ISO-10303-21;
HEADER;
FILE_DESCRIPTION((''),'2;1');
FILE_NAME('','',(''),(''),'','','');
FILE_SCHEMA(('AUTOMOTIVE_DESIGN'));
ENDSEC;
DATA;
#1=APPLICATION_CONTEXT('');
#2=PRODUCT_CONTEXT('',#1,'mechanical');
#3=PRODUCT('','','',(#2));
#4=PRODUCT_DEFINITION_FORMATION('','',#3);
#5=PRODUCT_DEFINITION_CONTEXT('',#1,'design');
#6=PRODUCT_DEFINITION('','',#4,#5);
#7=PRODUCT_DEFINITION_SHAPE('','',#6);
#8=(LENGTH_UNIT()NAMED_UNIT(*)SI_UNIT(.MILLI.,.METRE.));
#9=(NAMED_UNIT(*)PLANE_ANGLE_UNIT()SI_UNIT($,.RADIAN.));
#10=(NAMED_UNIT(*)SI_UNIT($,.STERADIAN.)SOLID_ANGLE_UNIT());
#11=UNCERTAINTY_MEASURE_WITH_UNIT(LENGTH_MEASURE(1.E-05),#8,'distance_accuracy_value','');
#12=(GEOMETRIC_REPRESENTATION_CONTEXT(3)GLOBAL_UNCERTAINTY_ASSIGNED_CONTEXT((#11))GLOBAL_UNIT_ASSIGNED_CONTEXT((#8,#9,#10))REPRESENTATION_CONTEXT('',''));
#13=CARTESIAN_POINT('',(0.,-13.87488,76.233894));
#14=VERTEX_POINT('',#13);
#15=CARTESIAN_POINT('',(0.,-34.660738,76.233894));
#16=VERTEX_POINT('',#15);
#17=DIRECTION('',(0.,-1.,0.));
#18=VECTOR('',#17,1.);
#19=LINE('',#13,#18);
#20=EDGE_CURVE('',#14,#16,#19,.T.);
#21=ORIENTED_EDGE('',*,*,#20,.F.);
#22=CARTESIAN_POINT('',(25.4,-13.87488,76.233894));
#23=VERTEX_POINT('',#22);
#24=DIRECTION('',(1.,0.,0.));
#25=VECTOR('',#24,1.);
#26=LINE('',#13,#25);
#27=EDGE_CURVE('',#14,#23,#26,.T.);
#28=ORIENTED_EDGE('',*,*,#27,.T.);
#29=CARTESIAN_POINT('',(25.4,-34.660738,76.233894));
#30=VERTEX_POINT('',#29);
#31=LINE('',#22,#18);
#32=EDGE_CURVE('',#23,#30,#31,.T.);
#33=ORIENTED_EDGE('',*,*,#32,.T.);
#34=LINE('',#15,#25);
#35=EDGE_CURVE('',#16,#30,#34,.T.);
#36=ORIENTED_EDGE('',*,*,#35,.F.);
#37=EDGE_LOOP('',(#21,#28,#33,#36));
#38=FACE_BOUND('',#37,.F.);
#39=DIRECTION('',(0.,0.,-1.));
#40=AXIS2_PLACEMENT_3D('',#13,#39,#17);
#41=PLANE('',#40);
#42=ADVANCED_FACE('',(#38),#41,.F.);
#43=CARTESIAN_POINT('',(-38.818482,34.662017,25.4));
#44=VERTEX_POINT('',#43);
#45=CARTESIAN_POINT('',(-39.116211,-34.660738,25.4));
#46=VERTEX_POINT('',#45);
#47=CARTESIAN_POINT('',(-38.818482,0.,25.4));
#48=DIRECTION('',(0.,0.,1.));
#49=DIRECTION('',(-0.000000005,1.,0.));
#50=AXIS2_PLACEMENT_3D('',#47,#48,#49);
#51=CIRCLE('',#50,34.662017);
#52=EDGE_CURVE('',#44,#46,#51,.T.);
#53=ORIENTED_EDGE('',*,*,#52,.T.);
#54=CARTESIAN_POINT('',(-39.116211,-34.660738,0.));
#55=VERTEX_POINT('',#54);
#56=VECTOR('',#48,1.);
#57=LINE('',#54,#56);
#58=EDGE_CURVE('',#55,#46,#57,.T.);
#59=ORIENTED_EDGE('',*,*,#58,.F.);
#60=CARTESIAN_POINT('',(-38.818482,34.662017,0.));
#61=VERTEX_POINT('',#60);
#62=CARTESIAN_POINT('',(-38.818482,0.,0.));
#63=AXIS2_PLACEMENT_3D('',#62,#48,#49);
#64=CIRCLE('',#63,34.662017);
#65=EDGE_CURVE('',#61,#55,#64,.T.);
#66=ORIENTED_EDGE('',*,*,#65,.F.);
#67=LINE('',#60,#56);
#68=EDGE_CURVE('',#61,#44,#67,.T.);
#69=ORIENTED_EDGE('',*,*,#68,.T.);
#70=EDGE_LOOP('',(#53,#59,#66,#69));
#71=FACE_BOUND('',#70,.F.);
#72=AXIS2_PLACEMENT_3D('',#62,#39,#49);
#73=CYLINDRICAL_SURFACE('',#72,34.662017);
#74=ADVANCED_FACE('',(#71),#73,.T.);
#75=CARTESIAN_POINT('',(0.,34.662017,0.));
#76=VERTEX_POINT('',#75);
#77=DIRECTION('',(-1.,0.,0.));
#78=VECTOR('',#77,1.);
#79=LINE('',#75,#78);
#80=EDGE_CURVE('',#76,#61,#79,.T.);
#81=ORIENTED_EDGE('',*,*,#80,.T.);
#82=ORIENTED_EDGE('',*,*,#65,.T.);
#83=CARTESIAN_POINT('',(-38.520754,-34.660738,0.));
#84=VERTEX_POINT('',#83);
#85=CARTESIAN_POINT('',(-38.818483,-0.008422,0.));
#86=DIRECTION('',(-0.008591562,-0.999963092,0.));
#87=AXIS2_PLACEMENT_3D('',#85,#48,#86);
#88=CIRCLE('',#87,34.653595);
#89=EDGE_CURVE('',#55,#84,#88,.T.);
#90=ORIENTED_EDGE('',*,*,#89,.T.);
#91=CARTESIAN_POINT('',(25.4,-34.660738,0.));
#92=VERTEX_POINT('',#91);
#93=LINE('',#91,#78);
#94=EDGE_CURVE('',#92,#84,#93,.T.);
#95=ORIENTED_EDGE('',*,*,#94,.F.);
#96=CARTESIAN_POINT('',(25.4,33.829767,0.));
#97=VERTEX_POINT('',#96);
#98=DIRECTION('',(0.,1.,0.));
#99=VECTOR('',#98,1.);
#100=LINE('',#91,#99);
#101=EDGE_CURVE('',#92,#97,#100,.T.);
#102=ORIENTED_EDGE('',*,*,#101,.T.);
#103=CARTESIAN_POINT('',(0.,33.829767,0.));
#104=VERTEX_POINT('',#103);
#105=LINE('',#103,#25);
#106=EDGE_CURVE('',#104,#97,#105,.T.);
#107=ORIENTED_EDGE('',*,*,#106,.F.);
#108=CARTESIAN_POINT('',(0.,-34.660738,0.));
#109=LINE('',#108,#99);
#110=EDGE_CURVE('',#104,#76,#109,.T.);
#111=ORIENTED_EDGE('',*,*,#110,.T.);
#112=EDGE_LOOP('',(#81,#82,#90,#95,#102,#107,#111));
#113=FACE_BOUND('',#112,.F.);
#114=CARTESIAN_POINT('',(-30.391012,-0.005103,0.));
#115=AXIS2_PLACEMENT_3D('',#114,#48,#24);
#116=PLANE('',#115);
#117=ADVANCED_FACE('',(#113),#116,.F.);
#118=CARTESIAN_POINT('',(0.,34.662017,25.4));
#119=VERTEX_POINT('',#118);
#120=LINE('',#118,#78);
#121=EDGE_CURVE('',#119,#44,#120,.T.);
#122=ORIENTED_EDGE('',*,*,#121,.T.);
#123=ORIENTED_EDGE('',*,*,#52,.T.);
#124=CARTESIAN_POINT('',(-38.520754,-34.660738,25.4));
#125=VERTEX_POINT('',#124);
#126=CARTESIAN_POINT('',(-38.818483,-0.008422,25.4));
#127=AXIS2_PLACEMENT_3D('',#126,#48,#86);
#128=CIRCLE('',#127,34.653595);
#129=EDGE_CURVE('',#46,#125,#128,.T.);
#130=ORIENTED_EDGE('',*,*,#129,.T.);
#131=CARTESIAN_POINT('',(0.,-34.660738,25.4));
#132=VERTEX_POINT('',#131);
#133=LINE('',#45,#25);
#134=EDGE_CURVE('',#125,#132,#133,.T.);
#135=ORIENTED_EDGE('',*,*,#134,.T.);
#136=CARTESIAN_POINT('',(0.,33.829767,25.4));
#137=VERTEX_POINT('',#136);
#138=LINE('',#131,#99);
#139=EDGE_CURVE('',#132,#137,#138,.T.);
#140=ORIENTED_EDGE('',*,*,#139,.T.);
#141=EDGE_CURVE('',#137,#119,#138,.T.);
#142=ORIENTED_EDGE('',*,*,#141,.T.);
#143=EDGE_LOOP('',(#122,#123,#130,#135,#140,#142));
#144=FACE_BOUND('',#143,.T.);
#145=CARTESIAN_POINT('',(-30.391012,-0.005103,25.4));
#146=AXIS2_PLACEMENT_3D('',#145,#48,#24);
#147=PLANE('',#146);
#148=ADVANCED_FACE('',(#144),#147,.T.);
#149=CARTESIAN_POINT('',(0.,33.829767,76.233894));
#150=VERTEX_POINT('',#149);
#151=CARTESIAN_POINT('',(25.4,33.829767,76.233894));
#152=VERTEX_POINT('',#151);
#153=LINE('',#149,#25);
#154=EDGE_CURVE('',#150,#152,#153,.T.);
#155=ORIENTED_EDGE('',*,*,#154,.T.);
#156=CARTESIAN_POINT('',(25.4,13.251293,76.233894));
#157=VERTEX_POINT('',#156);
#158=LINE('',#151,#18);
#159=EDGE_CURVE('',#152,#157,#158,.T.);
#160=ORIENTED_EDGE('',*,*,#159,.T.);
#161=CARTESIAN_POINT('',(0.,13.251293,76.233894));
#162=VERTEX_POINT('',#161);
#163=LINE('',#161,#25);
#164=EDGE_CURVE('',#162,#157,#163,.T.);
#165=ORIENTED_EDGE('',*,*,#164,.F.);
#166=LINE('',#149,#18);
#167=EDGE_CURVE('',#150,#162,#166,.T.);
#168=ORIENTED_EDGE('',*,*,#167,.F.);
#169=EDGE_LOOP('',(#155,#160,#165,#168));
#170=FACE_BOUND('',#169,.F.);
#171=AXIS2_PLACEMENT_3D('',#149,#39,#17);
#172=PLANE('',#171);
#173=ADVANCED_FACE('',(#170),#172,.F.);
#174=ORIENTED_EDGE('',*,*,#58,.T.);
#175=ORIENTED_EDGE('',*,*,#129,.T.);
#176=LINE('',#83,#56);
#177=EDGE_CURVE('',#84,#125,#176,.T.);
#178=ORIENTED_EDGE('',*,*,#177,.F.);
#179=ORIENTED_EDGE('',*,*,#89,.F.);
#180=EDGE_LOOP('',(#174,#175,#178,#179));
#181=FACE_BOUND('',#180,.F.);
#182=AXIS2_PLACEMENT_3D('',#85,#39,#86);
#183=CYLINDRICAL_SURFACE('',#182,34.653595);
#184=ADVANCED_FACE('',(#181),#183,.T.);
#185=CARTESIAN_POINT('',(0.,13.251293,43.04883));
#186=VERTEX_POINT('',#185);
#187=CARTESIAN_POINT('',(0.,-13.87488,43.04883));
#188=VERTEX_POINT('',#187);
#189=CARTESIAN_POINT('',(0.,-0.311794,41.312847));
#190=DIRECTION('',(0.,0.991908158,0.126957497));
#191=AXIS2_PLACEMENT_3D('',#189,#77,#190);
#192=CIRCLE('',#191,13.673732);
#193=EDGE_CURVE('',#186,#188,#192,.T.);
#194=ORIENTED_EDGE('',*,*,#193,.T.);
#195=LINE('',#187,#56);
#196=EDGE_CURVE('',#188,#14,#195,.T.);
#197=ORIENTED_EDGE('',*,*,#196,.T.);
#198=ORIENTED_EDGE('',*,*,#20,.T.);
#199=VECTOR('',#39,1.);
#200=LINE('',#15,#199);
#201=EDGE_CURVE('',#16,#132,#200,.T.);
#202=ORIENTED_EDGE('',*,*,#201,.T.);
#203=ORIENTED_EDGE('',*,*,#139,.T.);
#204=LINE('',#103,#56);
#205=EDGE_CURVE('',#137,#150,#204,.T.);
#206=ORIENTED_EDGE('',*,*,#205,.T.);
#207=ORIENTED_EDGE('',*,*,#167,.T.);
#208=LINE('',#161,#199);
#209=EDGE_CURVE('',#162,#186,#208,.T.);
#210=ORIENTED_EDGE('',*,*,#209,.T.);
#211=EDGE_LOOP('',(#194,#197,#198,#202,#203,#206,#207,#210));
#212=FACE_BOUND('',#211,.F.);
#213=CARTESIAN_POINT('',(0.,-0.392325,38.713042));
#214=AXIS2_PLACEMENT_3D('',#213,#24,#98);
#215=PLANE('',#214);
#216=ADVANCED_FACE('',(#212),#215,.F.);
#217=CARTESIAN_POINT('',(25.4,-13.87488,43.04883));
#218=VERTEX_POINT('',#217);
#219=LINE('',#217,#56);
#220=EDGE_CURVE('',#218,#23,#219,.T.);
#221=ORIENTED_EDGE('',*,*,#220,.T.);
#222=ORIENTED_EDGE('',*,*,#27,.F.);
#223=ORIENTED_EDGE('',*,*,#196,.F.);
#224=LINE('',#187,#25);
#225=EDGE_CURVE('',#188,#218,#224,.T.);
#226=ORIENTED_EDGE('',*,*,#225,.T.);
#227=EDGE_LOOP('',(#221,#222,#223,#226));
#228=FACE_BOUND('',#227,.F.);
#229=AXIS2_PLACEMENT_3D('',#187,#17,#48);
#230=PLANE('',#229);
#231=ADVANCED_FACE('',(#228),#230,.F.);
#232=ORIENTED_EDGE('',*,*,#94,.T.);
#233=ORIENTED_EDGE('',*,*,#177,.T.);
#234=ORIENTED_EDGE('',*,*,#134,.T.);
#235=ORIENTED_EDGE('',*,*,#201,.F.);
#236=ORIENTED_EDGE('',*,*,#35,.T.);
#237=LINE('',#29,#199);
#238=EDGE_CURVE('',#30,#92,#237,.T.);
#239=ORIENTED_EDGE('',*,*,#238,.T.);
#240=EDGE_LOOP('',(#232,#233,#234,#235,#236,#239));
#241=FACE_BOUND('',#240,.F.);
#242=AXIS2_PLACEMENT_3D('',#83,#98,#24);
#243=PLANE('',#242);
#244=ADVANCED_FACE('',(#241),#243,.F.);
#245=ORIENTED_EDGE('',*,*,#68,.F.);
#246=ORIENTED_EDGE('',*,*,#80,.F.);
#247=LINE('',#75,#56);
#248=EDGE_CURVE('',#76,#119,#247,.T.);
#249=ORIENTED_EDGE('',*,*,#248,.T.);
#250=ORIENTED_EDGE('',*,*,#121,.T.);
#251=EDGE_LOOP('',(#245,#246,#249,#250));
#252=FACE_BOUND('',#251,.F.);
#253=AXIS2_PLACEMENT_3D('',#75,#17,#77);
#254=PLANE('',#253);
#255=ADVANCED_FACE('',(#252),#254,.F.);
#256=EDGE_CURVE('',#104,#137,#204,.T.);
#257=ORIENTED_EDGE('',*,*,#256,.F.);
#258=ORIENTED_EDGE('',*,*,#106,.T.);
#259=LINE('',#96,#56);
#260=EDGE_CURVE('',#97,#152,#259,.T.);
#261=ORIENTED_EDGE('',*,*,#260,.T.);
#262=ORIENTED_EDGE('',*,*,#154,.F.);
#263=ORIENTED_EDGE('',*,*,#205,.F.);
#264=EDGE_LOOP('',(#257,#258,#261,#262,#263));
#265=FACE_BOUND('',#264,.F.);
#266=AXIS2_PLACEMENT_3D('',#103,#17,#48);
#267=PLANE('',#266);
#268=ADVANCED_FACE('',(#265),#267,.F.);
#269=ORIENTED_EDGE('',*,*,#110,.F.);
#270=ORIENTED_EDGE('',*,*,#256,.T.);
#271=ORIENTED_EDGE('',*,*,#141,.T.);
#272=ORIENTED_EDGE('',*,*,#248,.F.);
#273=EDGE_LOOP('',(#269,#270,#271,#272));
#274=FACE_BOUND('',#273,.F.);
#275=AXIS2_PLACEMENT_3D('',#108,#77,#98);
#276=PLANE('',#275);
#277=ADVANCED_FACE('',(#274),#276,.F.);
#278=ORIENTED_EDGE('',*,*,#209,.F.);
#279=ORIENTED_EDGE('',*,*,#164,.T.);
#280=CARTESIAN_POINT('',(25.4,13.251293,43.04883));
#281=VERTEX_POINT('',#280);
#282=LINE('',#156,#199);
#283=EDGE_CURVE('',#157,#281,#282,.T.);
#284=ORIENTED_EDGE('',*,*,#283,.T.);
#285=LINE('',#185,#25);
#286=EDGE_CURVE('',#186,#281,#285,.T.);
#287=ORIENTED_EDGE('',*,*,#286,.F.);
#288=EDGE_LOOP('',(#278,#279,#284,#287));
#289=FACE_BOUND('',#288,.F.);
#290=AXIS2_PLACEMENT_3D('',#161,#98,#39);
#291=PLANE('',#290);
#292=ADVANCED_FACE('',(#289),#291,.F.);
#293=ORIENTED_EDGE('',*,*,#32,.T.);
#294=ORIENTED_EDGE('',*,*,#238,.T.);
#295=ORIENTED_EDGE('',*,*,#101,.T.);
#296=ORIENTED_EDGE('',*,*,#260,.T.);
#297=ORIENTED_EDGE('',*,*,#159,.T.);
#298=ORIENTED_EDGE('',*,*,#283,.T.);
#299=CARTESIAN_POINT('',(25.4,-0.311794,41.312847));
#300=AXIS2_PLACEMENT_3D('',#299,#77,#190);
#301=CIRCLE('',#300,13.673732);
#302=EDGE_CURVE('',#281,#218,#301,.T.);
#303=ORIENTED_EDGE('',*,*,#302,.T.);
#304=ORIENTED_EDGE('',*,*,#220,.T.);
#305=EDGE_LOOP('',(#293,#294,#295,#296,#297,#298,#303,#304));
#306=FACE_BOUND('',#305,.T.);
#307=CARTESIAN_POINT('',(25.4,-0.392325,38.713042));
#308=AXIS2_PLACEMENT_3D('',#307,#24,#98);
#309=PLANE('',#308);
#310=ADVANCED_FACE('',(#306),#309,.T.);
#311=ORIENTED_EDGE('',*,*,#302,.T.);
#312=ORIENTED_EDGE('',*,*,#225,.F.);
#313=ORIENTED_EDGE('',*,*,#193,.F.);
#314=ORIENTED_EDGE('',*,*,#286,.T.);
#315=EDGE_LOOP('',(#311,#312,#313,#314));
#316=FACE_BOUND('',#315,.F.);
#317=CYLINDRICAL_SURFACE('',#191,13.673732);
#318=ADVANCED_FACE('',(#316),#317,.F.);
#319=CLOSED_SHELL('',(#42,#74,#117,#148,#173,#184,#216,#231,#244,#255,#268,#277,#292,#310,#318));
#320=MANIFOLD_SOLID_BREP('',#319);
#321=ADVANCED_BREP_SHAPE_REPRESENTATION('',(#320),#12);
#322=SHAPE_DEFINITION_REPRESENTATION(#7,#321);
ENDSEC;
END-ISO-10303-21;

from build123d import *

# Parameters (mm, degrees)
F1_DEPTH = 25.4
F3_DEPTH = 25.4


with BuildPart() as f1:
    # F0 (on Right) → F1 (new body)
    with BuildSketch(Plane.YZ):
        with BuildLine():
            Line((-13.87488, 76.233894), (-34.660738, 76.233894))
            Line((-34.660738, 76.233894), (-34.660738, 0))
            Line((-34.660738, 0), (33.829767, 0))
            Line((33.829767, 0), (33.829767, 76.233894))
            Line((33.829767, 76.233894), (13.251293, 76.233894))
            Line((13.251293, 76.233894), (13.251293, 43.04883))
            ThreePointArc((13.251293, 43.04883), (-0.311793, 27.639115), (-13.87488, 43.04883))
            Line((-13.87488, 43.04883), (-13.87488, 76.233894))
        make_face()
    extrude(amount=F1_DEPTH)

    # F2 (on Top) → F3 (join)
    with BuildSketch(Plane.XY):
        with BuildLine():
            Line((0, -34.660738), (0, 34.662017))
            Line((0, 34.662017), (-38.818482, 34.662017))
            ThreePointArc((-38.818482, 34.662017), (-73.480179, 0.148866), (-39.116211, -34.660738))
            Line((-39.116211, -34.660738), (-38.520754, -34.660738))
            Line((-38.520754, -34.660738), (0, -34.660738))
        make_face()
        with BuildLine():
            Line((-38.520754, -34.660738), (-39.116211, -34.660738))
            ThreePointArc((-39.116211, -34.660738), (-38.818482, -34.662017), (-38.520754, -34.660738))
        make_face()
    extrude(amount=F3_DEPTH)


solid = f1.part
